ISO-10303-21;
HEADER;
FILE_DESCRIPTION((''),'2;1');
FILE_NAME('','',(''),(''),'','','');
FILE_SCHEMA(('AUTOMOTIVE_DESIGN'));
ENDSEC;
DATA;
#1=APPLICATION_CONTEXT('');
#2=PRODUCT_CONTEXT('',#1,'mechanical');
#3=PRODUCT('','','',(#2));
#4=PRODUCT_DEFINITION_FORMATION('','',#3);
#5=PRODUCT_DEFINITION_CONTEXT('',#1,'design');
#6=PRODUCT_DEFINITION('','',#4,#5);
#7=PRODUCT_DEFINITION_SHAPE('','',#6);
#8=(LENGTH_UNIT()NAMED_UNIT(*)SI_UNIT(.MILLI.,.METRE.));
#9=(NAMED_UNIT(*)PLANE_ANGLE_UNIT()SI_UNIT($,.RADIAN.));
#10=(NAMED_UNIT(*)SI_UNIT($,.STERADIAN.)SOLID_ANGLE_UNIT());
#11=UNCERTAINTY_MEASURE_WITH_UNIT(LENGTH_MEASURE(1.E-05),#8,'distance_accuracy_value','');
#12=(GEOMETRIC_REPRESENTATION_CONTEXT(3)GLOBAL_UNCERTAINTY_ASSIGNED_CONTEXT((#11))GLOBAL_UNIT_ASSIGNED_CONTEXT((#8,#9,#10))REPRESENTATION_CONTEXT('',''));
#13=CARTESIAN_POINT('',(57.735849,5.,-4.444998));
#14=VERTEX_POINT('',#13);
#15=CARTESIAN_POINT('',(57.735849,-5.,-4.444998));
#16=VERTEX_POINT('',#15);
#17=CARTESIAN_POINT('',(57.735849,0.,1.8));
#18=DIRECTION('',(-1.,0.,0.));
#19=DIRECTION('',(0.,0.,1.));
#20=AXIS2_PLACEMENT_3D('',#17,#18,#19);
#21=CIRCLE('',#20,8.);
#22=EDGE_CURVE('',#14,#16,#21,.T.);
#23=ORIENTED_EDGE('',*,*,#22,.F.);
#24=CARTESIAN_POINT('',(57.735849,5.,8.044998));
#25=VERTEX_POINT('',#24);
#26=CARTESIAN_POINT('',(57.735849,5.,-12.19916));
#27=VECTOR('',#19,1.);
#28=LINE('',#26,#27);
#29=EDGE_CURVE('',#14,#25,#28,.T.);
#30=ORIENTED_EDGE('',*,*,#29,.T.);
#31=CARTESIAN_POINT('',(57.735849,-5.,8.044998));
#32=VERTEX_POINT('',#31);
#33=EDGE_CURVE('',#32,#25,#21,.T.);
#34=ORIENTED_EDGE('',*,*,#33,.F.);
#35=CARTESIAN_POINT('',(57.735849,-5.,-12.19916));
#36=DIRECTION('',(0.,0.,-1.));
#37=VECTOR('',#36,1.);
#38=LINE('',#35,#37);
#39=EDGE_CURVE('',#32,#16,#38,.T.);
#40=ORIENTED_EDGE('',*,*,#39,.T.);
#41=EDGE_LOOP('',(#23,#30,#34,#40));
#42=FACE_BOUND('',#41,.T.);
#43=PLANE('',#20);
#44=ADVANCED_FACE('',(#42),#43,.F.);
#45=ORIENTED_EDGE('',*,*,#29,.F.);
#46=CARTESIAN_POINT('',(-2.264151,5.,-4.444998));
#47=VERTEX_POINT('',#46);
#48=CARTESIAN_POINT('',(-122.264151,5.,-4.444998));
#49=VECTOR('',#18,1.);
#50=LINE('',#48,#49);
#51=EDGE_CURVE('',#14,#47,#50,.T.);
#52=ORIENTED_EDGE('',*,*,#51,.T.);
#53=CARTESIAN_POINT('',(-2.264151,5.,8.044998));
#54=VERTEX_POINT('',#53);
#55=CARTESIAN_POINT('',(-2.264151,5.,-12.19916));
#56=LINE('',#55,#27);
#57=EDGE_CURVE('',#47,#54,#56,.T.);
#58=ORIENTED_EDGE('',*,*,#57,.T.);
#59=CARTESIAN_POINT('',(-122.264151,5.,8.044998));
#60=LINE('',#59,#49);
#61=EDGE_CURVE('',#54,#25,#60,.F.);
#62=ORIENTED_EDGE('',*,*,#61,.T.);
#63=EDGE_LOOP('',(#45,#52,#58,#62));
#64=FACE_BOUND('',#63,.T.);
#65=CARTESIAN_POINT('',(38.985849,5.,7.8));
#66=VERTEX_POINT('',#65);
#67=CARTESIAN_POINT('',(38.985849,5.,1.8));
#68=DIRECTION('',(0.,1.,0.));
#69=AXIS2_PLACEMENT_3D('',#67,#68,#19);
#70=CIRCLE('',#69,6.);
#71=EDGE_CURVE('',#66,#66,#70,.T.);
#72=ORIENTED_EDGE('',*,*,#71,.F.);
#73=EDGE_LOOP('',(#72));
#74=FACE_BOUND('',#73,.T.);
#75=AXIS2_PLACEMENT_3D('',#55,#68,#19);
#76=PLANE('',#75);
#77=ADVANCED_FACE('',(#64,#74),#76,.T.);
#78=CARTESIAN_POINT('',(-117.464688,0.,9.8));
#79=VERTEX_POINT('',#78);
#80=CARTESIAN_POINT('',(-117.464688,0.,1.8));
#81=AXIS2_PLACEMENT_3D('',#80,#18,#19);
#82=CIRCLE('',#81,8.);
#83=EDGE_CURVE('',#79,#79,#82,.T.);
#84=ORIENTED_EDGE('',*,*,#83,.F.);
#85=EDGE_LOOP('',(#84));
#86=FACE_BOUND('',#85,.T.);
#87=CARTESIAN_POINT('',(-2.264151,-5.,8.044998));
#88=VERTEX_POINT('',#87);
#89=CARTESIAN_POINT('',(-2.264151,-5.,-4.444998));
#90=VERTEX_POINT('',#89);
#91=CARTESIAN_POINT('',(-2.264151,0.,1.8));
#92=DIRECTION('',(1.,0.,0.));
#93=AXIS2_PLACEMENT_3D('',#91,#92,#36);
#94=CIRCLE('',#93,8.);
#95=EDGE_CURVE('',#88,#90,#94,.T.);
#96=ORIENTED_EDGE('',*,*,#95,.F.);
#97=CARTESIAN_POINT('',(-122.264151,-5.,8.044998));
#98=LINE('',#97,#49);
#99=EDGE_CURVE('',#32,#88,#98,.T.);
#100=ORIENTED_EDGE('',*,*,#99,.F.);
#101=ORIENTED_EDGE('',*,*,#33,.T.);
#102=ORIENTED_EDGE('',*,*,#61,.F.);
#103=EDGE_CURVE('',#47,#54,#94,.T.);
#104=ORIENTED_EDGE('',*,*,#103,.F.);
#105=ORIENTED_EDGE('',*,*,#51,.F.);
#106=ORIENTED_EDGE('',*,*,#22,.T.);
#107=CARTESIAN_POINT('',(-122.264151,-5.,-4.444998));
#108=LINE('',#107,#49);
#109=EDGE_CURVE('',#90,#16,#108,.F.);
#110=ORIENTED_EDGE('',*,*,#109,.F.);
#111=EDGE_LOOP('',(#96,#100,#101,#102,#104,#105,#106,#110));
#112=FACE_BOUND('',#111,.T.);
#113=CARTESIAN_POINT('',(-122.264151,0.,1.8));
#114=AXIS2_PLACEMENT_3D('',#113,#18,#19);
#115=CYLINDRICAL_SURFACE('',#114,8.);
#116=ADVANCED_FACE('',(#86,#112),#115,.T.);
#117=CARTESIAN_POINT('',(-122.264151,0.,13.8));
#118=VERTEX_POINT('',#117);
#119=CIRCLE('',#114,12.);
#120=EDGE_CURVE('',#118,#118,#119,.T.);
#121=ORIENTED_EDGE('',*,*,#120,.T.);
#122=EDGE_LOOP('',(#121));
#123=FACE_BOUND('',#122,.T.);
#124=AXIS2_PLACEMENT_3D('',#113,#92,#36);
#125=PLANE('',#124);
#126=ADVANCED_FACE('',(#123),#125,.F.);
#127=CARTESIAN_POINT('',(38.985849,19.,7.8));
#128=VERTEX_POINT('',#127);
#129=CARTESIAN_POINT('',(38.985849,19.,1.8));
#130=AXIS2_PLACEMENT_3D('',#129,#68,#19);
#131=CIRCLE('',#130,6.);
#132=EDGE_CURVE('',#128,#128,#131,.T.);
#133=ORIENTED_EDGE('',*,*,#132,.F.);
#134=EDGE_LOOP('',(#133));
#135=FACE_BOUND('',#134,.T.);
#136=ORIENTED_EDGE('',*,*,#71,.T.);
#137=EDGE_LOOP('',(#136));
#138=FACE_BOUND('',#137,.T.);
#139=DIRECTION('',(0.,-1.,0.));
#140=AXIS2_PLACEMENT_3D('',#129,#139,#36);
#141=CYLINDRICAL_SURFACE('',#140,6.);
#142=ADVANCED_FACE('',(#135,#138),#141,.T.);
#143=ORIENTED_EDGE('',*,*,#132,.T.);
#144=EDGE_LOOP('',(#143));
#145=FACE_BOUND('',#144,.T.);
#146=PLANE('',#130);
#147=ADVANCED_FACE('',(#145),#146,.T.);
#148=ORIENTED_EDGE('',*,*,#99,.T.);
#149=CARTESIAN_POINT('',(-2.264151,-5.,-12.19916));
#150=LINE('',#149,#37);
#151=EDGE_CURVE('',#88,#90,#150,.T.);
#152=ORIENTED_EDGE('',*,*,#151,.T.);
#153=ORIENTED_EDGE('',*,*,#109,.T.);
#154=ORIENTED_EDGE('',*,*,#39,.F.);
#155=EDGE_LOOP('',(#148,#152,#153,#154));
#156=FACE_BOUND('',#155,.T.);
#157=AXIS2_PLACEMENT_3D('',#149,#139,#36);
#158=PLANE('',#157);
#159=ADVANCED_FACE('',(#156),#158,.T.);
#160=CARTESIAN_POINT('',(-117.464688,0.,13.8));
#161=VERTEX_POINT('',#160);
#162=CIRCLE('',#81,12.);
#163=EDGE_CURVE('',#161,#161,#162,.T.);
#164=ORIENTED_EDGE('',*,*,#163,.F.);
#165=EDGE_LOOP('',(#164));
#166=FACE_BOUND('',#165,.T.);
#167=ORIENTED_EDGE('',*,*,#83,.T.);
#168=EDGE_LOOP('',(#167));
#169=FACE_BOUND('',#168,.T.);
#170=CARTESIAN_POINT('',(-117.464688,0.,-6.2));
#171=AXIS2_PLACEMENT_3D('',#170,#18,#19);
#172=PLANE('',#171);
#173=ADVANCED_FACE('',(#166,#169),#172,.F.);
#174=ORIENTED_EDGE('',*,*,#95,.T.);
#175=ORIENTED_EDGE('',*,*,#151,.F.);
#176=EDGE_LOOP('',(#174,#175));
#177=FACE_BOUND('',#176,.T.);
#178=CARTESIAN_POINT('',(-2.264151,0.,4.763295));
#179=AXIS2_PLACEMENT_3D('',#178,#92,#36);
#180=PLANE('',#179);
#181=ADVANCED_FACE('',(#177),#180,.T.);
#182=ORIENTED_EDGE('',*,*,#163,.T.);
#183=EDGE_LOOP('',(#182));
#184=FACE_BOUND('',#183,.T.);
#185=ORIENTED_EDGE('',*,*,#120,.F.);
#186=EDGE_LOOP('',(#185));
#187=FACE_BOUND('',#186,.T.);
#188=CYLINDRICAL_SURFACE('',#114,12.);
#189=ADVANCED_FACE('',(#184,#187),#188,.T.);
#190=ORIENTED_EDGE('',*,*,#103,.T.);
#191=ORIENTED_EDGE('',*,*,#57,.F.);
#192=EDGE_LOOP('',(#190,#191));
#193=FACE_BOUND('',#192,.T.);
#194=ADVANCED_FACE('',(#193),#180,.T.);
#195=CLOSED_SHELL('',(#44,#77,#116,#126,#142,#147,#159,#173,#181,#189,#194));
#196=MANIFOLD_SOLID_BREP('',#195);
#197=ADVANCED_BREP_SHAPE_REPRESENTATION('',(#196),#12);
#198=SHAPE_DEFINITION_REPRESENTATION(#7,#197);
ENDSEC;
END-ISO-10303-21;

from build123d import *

# Parameters (mm, degrees)
SKETCH4_OUTSIDE_W   = 62.634
SKETCH4_OUTSIDE_H   = 62.634
SKETCH4_OUTSIDE_W_2 = 33.924910587
SKETCH4_OUTSIDE_H_2 = 10
CUT_EXTRUDE1_DEPTH  = 60
SKETCH9_R           = 6
BOSS_EXTRUDE1_DEPTH = 14


with BuildPart() as part:
    # Sketch1 → Revolve1 (revolve)
    with BuildSketch(Plane(origin=(0, 0, 0), x_dir=(1, 0, 0), z_dir=(0, 1, 0))):
        Polygon((57.735849057, -1.8), (57.735849057, 6.2), (-117.46468802, 6.2), (-117.46468802, 10.2), (-122.264150943, 10.2), (-122.264150943, -1.8), align=None)
    revolve(axis=Axis((-122.264150943, 0, 1.8), (1, 0, 0)))

    # Sketch4 outside → Cut-Extrude1 (cut)
    with BuildSketch(Plane(origin=(57.735849057, 0, 0), x_dir=(0, 0, -1), z_dir=(1, 0, 0))):
        with Locations((-1.8, 0)):
            Rectangle(SKETCH4_OUTSIDE_W, SKETCH4_OUTSIDE_H)
        with Locations((-4.763294948, 0)):
            Rectangle(SKETCH4_OUTSIDE_W_2, SKETCH4_OUTSIDE_H_2, mode=Mode.SUBTRACT)
    extrude(amount=-CUT_EXTRUDE1_DEPTH, mode=Mode.SUBTRACT)

    # Sketch9 → Boss-Extrude1 (add)
    with BuildSketch(Plane(origin=(0, 5, 0), x_dir=(1, 0, 0), z_dir=(0, 1, 0))):
        with Locations((38.985849057, -1.8)):
            Circle(SKETCH9_R)
    extrude(amount=BOSS_EXTRUDE1_DEPTH)


solid = part.part
